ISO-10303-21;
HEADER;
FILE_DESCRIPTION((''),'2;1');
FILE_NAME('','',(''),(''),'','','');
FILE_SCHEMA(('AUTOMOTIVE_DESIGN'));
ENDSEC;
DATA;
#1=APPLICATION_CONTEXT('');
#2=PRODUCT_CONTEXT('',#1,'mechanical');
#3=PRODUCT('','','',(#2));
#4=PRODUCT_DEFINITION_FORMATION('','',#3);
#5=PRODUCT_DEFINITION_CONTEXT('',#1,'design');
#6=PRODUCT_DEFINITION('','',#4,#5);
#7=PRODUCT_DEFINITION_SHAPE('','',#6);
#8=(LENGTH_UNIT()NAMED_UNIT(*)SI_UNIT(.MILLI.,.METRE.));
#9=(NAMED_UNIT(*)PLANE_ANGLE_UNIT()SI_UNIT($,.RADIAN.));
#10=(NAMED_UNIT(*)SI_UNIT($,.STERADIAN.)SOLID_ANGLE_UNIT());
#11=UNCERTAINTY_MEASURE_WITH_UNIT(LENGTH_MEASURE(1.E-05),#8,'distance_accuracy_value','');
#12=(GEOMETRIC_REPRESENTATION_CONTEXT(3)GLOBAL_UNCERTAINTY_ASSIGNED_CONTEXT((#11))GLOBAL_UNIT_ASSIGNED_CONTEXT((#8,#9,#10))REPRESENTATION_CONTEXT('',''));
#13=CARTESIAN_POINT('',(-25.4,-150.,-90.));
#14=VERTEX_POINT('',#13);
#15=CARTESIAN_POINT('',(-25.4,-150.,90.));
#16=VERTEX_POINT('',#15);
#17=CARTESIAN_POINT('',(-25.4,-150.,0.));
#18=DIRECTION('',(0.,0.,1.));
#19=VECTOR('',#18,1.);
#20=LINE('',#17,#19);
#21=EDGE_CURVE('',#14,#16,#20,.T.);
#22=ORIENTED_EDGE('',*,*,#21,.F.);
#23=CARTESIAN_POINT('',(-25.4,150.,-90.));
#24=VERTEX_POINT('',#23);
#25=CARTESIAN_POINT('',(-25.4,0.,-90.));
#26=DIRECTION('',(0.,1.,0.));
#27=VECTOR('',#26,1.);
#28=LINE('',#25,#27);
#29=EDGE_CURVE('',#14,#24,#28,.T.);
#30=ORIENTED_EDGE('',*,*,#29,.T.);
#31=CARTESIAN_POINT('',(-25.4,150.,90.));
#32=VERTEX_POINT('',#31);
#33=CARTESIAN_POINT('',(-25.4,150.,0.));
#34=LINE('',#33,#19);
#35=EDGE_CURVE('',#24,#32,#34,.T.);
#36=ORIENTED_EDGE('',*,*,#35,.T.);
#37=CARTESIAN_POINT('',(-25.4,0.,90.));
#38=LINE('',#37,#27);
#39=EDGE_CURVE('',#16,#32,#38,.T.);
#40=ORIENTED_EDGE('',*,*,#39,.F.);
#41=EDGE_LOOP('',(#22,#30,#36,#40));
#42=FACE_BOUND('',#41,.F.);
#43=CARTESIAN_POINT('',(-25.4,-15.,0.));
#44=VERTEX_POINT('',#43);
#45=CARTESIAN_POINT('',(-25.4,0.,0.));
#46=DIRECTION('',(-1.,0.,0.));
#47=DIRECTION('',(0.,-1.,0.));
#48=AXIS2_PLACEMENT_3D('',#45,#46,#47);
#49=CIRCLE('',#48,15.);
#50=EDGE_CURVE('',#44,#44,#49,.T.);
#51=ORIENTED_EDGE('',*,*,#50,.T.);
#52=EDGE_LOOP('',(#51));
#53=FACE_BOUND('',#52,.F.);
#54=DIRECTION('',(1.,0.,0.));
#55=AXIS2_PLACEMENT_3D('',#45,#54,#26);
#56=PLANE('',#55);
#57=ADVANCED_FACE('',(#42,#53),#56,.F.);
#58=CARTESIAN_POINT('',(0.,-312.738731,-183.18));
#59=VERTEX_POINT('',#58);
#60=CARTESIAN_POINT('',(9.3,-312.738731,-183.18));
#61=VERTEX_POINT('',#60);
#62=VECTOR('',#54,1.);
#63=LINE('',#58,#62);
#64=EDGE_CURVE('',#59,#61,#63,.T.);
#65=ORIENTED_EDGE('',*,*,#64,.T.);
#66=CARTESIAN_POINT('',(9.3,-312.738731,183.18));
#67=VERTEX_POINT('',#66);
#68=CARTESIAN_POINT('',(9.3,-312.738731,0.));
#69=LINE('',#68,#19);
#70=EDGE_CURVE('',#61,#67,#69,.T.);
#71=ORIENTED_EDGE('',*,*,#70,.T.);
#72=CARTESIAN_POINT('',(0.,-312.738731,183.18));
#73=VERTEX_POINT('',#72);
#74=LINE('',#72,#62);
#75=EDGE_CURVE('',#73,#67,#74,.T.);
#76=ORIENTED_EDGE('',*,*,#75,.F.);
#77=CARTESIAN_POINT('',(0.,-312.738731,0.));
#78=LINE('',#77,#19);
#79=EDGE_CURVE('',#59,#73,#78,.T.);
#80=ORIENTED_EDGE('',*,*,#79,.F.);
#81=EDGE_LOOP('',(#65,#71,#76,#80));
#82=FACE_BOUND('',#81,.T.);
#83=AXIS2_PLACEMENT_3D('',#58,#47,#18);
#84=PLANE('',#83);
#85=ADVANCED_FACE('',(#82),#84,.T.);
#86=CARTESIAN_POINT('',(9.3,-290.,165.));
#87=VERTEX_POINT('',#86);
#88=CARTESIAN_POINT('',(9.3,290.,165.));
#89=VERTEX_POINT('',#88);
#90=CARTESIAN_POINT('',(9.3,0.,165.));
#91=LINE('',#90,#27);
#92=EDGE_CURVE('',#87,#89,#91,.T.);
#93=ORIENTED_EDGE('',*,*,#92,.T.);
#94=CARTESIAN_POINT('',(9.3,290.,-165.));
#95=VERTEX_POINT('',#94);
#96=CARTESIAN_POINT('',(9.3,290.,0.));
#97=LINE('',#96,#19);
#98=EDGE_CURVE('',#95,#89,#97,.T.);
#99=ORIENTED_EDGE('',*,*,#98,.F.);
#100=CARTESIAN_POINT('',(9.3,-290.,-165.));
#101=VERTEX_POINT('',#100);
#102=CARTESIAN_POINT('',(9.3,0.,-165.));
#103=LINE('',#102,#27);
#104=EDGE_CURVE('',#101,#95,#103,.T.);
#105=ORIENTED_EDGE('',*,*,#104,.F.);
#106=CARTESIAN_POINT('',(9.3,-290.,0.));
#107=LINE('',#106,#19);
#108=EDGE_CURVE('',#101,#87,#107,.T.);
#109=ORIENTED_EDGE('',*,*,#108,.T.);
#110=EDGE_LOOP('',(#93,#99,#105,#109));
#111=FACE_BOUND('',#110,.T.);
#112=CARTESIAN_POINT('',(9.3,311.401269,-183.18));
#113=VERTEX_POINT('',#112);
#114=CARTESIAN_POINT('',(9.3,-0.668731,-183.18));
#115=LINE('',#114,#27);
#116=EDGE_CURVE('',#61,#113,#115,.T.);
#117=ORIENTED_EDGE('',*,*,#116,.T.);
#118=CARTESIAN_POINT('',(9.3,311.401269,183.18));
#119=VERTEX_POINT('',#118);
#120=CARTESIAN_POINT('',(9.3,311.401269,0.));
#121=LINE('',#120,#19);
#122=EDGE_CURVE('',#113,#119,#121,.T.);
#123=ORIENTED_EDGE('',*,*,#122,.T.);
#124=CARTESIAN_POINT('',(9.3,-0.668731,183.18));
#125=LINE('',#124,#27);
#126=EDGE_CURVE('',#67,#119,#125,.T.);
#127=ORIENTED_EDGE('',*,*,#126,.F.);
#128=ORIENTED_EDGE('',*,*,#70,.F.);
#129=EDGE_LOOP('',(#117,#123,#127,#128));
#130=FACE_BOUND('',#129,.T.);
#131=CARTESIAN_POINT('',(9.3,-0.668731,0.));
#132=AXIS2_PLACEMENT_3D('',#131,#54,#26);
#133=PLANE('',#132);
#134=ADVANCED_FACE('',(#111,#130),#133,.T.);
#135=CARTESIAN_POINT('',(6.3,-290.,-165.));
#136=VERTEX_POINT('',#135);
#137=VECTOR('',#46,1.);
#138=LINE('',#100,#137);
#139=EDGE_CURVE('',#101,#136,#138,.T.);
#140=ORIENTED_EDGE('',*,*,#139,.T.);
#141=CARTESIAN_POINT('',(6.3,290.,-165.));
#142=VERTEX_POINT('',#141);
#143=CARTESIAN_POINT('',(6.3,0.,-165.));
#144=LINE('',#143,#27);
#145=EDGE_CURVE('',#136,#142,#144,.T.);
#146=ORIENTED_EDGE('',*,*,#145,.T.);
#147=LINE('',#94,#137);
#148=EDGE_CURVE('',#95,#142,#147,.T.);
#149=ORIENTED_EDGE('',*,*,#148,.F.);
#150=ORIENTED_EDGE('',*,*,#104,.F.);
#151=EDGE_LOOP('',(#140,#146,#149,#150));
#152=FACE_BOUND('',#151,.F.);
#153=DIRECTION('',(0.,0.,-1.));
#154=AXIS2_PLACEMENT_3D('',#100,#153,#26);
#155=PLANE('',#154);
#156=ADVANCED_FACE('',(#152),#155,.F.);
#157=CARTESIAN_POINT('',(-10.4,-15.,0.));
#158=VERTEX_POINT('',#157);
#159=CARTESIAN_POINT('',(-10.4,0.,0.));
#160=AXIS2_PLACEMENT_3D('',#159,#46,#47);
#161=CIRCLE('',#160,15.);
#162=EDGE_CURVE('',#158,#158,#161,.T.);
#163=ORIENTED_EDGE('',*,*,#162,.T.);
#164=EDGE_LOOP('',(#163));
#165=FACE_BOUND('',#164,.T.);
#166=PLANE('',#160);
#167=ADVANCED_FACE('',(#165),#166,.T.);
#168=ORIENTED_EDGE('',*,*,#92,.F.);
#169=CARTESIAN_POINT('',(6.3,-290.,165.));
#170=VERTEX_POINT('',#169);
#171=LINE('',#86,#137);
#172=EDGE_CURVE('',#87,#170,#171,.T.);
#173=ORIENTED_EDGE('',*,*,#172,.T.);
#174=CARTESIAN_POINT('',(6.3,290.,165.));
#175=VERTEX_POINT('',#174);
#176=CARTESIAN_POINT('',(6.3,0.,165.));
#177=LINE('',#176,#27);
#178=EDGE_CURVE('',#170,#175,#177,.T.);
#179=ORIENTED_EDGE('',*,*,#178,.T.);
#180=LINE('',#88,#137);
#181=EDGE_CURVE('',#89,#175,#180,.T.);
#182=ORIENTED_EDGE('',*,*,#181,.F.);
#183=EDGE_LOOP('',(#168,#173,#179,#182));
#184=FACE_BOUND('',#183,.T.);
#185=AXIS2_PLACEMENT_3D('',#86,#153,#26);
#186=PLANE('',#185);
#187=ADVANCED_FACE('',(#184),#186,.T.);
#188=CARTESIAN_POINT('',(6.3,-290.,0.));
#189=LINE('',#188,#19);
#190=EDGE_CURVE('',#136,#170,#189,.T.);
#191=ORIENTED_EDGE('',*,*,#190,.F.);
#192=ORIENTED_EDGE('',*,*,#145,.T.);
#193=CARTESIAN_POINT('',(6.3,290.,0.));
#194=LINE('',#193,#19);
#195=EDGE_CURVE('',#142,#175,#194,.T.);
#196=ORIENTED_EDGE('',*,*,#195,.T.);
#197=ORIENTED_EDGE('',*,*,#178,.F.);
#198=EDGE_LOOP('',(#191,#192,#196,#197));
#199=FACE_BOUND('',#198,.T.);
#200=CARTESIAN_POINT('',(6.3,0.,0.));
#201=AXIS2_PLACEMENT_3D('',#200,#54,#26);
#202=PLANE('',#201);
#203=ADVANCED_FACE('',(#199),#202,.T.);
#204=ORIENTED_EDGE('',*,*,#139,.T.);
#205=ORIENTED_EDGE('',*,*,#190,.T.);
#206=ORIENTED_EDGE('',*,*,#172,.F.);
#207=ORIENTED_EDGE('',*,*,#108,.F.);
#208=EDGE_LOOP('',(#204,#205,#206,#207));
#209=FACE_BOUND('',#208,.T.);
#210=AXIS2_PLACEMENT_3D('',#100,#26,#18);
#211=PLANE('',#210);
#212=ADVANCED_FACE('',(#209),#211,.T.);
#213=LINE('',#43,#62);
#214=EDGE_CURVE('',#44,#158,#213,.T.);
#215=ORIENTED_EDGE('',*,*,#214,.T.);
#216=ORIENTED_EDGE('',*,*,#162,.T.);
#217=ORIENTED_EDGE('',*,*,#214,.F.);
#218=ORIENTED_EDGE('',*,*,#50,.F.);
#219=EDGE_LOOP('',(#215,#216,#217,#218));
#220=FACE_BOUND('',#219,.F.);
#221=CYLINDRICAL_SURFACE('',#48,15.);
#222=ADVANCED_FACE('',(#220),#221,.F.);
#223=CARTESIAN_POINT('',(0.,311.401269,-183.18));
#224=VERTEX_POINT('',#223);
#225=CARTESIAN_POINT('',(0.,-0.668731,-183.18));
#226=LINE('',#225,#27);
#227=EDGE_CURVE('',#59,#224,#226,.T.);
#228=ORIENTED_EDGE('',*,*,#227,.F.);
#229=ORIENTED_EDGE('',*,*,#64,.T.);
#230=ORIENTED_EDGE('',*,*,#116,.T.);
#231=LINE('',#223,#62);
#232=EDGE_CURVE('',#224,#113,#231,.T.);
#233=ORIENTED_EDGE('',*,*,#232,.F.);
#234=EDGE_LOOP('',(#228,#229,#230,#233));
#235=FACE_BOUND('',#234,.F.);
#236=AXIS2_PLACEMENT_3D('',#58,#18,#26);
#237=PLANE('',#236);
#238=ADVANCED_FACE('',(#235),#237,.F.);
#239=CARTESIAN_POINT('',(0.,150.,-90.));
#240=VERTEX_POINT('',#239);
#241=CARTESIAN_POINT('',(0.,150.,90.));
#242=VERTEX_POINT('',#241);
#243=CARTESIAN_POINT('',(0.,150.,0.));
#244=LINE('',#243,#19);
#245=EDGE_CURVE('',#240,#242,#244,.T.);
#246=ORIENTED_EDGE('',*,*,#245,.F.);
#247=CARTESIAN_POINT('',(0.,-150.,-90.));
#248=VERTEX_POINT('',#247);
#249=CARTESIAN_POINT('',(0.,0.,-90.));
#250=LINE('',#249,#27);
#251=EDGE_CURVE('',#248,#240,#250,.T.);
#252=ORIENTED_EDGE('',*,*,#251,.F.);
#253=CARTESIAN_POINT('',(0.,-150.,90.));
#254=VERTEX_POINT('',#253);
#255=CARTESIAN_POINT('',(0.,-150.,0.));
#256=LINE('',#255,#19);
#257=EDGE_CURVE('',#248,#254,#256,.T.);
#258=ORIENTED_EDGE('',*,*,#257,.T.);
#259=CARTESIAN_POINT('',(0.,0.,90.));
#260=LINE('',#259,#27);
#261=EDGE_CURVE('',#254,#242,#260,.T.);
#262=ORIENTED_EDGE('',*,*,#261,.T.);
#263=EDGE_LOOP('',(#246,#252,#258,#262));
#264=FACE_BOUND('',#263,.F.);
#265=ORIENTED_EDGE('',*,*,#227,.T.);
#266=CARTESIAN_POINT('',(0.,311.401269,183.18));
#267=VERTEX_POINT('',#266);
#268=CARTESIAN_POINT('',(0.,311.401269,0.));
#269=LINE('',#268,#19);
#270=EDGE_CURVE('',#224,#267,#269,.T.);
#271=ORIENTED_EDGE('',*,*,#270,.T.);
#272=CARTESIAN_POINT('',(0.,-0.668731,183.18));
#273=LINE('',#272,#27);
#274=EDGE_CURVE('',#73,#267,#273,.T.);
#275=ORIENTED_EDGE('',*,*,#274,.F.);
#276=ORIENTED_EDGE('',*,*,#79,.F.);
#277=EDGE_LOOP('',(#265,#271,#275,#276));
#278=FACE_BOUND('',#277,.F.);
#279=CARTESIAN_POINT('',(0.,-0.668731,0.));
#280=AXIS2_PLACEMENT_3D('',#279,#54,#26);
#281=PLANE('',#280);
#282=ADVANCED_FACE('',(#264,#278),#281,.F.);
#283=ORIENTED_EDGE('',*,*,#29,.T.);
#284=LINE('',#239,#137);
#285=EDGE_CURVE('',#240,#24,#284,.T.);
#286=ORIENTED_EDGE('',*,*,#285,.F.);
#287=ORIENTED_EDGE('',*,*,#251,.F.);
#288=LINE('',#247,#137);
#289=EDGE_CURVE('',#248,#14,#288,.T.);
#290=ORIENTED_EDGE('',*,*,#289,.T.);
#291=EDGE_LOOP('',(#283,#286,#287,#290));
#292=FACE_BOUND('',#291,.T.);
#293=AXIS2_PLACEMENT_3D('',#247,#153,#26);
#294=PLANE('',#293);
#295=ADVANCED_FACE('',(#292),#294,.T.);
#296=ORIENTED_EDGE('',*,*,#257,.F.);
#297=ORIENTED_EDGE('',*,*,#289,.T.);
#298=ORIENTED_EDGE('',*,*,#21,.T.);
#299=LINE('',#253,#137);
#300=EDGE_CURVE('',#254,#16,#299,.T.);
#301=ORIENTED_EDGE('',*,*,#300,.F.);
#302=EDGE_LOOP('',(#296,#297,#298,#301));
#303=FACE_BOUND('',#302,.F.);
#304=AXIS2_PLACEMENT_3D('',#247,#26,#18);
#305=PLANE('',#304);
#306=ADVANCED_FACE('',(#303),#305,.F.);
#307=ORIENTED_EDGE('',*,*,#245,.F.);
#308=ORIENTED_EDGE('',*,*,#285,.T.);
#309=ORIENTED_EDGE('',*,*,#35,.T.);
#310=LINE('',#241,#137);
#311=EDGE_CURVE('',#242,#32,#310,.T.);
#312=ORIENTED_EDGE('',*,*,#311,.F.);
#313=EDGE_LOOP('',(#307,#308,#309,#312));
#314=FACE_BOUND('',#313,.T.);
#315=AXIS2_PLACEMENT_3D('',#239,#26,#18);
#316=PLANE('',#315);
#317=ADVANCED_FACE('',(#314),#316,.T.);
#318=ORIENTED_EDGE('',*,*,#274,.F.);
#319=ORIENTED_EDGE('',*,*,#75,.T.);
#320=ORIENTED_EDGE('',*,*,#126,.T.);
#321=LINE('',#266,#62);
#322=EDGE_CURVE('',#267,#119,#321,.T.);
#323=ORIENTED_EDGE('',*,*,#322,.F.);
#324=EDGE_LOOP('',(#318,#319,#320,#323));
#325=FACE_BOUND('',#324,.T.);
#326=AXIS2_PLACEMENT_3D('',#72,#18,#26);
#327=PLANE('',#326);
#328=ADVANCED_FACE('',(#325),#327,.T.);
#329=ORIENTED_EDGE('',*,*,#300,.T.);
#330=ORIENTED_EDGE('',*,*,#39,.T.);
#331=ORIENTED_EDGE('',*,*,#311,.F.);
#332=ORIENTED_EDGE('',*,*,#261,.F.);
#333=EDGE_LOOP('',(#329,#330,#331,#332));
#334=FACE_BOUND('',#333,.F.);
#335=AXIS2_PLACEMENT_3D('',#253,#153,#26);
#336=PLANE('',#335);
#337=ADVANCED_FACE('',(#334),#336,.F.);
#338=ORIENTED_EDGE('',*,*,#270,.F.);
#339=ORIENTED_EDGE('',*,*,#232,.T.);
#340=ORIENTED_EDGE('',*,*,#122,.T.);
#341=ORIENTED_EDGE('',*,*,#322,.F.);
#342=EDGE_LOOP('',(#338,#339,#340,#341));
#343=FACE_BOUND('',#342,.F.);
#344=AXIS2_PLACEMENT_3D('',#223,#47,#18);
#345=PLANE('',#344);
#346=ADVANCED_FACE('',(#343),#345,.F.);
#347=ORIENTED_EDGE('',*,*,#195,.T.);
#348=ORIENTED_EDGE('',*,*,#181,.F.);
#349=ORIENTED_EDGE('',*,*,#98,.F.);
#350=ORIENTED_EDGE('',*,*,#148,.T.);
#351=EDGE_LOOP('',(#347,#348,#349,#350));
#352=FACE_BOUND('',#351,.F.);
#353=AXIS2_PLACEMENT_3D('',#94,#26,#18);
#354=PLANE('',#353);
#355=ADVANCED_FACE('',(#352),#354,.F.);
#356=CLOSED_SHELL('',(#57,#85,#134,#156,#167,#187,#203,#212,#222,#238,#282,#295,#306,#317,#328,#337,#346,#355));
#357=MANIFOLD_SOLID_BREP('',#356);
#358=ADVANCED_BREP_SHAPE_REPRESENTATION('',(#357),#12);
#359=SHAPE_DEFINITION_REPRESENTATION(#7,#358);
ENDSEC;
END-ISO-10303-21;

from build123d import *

# Parameters (mm, degrees)
F0_W     = 624.14
F0_H     = 366.36
F1_DEPTH = 9.3
F2_W     = 580
F2_H     = 330
F3_DEPTH = 3
F4_W     = 300
F4_H     = 180
F5_DEPTH = 25.4
F6_R     = 15
F7_DEPTH = 15


with BuildPart() as f1:
    # F0 (on Right) → F1 (new body)
    with BuildSketch(Plane.YZ):
        with Locations((-0.668731, 0)):
            Rectangle(F0_W, F0_H)
    extrude(amount=F1_DEPTH)

    # F2 (on face) → F3 (cut)
    with BuildSketch(Plane.YZ.offset(9.3)):
        Rectangle(F2_W, F2_H)
    extrude(amount=-F3_DEPTH, mode=Mode.SUBTRACT)

    # F4 (on Right) → F5 (join)
    with BuildSketch(Plane.YZ):
        Rectangle(F4_W, F4_H)
    extrude(amount=-F5_DEPTH)

    # F6 (on face) → F7 (cut)
    with BuildSketch(Plane(origin=(-25.4, 0, 0), x_dir=(0, -1, 0), z_dir=(-1, 0, 0))):
        Circle(F6_R)
    extrude(amount=-F7_DEPTH, mode=Mode.SUBTRACT)


solid = f1.part
